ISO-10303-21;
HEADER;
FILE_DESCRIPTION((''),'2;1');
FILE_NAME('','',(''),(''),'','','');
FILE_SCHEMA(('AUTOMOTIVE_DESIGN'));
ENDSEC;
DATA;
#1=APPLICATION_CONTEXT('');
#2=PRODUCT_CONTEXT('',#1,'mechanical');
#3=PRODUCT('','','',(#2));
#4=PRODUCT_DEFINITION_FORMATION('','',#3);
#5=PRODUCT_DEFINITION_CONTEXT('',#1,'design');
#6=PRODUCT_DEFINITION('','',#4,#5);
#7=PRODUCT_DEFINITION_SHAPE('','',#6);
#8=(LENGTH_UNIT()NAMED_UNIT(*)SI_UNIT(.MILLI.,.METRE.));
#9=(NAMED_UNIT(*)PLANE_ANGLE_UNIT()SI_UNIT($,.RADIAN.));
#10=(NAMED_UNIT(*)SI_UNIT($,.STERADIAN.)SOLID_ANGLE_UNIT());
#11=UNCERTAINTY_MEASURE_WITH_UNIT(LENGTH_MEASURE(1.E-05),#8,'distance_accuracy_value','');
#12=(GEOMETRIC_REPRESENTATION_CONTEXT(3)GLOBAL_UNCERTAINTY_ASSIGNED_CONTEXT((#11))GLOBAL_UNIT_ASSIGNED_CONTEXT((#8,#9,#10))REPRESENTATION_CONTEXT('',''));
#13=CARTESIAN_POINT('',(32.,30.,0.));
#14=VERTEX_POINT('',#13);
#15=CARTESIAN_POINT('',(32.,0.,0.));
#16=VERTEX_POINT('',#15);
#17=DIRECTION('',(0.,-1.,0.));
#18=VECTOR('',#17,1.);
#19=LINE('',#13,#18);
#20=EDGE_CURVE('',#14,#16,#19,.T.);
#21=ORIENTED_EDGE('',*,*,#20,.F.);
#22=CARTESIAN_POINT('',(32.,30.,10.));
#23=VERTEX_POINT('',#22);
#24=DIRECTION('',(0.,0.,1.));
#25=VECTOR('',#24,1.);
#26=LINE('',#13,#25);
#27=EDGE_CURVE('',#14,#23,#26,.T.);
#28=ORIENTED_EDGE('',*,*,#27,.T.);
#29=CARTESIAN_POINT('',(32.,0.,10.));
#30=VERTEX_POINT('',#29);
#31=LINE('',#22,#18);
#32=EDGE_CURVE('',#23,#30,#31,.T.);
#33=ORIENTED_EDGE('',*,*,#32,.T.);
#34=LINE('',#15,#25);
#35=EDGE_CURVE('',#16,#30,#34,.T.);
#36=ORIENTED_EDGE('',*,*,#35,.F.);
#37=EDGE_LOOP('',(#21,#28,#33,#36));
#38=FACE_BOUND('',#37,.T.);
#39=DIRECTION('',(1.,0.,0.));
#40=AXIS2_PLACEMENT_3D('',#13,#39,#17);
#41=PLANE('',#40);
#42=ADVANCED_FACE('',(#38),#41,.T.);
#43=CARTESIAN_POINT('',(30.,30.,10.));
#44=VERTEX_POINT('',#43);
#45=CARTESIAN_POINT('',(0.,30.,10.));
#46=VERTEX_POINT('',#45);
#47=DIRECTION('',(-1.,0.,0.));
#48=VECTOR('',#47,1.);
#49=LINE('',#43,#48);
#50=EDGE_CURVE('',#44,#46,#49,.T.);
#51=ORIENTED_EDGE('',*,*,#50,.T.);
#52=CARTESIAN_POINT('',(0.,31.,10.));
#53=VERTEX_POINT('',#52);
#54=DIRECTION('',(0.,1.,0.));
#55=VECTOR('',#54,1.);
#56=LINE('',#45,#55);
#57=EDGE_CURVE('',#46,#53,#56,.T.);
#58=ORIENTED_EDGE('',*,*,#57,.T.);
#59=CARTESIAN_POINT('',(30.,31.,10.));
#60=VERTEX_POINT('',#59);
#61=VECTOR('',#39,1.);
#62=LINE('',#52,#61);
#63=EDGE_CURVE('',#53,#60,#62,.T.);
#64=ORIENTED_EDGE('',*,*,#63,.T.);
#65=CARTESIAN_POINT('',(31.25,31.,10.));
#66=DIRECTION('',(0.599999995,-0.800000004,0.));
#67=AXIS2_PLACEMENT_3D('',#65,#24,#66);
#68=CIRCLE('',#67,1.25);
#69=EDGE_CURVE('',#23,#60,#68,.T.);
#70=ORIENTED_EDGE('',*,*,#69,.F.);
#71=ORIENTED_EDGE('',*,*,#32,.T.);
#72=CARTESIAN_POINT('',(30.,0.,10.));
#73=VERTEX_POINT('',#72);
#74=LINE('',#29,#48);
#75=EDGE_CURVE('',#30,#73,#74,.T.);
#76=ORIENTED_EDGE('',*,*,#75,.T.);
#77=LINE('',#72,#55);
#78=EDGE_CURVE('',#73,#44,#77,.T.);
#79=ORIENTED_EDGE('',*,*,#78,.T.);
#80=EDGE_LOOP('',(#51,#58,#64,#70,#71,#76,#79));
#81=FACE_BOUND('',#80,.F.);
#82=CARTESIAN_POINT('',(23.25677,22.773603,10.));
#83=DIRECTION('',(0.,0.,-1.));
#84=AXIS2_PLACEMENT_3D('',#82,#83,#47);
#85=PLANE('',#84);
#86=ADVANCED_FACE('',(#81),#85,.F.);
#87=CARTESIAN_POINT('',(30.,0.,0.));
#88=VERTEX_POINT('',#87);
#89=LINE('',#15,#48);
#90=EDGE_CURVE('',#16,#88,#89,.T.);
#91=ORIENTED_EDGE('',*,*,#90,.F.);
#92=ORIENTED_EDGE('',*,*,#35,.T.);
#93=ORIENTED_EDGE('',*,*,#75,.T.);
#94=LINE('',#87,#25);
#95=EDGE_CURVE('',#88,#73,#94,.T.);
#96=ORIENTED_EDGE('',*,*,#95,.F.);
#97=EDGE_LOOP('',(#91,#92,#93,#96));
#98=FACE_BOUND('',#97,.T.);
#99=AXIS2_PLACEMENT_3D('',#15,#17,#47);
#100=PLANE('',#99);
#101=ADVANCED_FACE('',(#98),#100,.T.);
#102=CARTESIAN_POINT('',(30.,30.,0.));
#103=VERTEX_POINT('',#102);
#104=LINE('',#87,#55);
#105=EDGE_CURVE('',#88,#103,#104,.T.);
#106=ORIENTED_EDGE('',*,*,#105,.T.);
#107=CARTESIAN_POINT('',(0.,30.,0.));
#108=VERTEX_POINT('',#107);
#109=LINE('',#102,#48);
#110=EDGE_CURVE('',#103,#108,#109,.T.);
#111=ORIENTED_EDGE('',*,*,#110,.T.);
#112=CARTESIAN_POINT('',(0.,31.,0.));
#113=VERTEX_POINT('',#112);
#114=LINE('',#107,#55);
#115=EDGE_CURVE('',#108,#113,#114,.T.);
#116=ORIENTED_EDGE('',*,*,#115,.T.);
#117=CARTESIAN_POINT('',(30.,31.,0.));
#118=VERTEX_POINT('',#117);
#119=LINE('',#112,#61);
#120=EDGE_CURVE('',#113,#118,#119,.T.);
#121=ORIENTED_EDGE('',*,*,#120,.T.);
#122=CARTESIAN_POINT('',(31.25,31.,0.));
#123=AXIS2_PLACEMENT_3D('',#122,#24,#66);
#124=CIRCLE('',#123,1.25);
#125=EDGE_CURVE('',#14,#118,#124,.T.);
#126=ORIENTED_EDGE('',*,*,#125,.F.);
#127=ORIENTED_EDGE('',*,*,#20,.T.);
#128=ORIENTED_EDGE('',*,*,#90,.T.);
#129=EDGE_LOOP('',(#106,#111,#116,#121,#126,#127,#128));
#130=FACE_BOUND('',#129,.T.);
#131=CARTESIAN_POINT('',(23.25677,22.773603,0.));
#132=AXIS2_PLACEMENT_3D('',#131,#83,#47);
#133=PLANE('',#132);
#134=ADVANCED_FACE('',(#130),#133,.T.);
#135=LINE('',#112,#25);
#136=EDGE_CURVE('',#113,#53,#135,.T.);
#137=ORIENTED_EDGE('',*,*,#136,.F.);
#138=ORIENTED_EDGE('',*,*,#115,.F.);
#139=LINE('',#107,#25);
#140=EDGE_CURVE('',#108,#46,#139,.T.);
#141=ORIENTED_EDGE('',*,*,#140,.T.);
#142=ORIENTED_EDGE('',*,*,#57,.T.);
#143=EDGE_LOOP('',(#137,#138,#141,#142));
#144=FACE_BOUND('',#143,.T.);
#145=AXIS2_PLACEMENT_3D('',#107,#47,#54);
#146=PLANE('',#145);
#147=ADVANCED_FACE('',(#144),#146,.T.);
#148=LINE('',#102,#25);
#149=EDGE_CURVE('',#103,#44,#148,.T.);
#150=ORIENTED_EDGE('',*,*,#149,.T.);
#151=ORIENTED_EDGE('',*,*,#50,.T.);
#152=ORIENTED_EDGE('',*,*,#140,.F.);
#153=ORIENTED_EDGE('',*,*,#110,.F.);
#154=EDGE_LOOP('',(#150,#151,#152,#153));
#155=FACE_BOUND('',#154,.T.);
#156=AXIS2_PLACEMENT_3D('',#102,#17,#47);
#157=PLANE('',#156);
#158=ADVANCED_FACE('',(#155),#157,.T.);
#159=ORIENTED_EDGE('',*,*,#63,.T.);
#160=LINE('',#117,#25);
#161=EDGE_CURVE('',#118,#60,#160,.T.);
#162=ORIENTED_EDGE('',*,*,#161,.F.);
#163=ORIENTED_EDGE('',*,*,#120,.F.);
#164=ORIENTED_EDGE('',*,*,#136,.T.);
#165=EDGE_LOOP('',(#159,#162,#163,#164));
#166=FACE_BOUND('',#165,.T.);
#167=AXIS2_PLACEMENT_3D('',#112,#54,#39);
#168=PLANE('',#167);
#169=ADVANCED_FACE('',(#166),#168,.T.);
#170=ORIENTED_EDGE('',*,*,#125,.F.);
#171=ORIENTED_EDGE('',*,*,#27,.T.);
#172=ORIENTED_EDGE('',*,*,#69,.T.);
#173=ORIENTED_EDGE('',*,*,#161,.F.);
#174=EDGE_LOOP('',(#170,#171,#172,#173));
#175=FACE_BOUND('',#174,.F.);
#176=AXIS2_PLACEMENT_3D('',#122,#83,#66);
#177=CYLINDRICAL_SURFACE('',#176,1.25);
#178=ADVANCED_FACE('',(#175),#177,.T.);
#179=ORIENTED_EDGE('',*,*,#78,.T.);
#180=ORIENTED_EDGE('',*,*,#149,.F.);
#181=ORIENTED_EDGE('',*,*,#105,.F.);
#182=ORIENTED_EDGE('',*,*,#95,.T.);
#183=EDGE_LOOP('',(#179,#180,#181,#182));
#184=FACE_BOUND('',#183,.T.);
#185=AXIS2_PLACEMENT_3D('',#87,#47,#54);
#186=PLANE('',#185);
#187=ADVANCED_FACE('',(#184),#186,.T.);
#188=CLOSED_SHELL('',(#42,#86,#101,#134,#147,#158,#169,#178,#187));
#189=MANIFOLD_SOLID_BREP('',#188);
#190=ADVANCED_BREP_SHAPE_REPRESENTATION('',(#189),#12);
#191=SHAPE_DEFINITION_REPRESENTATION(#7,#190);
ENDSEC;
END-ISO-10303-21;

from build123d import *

# Parameters (mm, degrees)
PAD_DEPTH = 10


with BuildPart() as part:
    # Sketch → Pad (new body)
    with BuildSketch(Plane.XY):
        with BuildLine():
            Line((30, 0), (30, 30))
            Line((30, 30), (0, 30))
            Line((0, 30), (0, 31))
            Line((0, 31), (30, 31))
            ThreePointArc((32, 30), (31.809017, 32.118034), (30, 31))
            Line((32, 30), (32, 0))
            Line((32, 0), (30, 0))
        make_face()
    extrude(amount=PAD_DEPTH)


solid = part.part
